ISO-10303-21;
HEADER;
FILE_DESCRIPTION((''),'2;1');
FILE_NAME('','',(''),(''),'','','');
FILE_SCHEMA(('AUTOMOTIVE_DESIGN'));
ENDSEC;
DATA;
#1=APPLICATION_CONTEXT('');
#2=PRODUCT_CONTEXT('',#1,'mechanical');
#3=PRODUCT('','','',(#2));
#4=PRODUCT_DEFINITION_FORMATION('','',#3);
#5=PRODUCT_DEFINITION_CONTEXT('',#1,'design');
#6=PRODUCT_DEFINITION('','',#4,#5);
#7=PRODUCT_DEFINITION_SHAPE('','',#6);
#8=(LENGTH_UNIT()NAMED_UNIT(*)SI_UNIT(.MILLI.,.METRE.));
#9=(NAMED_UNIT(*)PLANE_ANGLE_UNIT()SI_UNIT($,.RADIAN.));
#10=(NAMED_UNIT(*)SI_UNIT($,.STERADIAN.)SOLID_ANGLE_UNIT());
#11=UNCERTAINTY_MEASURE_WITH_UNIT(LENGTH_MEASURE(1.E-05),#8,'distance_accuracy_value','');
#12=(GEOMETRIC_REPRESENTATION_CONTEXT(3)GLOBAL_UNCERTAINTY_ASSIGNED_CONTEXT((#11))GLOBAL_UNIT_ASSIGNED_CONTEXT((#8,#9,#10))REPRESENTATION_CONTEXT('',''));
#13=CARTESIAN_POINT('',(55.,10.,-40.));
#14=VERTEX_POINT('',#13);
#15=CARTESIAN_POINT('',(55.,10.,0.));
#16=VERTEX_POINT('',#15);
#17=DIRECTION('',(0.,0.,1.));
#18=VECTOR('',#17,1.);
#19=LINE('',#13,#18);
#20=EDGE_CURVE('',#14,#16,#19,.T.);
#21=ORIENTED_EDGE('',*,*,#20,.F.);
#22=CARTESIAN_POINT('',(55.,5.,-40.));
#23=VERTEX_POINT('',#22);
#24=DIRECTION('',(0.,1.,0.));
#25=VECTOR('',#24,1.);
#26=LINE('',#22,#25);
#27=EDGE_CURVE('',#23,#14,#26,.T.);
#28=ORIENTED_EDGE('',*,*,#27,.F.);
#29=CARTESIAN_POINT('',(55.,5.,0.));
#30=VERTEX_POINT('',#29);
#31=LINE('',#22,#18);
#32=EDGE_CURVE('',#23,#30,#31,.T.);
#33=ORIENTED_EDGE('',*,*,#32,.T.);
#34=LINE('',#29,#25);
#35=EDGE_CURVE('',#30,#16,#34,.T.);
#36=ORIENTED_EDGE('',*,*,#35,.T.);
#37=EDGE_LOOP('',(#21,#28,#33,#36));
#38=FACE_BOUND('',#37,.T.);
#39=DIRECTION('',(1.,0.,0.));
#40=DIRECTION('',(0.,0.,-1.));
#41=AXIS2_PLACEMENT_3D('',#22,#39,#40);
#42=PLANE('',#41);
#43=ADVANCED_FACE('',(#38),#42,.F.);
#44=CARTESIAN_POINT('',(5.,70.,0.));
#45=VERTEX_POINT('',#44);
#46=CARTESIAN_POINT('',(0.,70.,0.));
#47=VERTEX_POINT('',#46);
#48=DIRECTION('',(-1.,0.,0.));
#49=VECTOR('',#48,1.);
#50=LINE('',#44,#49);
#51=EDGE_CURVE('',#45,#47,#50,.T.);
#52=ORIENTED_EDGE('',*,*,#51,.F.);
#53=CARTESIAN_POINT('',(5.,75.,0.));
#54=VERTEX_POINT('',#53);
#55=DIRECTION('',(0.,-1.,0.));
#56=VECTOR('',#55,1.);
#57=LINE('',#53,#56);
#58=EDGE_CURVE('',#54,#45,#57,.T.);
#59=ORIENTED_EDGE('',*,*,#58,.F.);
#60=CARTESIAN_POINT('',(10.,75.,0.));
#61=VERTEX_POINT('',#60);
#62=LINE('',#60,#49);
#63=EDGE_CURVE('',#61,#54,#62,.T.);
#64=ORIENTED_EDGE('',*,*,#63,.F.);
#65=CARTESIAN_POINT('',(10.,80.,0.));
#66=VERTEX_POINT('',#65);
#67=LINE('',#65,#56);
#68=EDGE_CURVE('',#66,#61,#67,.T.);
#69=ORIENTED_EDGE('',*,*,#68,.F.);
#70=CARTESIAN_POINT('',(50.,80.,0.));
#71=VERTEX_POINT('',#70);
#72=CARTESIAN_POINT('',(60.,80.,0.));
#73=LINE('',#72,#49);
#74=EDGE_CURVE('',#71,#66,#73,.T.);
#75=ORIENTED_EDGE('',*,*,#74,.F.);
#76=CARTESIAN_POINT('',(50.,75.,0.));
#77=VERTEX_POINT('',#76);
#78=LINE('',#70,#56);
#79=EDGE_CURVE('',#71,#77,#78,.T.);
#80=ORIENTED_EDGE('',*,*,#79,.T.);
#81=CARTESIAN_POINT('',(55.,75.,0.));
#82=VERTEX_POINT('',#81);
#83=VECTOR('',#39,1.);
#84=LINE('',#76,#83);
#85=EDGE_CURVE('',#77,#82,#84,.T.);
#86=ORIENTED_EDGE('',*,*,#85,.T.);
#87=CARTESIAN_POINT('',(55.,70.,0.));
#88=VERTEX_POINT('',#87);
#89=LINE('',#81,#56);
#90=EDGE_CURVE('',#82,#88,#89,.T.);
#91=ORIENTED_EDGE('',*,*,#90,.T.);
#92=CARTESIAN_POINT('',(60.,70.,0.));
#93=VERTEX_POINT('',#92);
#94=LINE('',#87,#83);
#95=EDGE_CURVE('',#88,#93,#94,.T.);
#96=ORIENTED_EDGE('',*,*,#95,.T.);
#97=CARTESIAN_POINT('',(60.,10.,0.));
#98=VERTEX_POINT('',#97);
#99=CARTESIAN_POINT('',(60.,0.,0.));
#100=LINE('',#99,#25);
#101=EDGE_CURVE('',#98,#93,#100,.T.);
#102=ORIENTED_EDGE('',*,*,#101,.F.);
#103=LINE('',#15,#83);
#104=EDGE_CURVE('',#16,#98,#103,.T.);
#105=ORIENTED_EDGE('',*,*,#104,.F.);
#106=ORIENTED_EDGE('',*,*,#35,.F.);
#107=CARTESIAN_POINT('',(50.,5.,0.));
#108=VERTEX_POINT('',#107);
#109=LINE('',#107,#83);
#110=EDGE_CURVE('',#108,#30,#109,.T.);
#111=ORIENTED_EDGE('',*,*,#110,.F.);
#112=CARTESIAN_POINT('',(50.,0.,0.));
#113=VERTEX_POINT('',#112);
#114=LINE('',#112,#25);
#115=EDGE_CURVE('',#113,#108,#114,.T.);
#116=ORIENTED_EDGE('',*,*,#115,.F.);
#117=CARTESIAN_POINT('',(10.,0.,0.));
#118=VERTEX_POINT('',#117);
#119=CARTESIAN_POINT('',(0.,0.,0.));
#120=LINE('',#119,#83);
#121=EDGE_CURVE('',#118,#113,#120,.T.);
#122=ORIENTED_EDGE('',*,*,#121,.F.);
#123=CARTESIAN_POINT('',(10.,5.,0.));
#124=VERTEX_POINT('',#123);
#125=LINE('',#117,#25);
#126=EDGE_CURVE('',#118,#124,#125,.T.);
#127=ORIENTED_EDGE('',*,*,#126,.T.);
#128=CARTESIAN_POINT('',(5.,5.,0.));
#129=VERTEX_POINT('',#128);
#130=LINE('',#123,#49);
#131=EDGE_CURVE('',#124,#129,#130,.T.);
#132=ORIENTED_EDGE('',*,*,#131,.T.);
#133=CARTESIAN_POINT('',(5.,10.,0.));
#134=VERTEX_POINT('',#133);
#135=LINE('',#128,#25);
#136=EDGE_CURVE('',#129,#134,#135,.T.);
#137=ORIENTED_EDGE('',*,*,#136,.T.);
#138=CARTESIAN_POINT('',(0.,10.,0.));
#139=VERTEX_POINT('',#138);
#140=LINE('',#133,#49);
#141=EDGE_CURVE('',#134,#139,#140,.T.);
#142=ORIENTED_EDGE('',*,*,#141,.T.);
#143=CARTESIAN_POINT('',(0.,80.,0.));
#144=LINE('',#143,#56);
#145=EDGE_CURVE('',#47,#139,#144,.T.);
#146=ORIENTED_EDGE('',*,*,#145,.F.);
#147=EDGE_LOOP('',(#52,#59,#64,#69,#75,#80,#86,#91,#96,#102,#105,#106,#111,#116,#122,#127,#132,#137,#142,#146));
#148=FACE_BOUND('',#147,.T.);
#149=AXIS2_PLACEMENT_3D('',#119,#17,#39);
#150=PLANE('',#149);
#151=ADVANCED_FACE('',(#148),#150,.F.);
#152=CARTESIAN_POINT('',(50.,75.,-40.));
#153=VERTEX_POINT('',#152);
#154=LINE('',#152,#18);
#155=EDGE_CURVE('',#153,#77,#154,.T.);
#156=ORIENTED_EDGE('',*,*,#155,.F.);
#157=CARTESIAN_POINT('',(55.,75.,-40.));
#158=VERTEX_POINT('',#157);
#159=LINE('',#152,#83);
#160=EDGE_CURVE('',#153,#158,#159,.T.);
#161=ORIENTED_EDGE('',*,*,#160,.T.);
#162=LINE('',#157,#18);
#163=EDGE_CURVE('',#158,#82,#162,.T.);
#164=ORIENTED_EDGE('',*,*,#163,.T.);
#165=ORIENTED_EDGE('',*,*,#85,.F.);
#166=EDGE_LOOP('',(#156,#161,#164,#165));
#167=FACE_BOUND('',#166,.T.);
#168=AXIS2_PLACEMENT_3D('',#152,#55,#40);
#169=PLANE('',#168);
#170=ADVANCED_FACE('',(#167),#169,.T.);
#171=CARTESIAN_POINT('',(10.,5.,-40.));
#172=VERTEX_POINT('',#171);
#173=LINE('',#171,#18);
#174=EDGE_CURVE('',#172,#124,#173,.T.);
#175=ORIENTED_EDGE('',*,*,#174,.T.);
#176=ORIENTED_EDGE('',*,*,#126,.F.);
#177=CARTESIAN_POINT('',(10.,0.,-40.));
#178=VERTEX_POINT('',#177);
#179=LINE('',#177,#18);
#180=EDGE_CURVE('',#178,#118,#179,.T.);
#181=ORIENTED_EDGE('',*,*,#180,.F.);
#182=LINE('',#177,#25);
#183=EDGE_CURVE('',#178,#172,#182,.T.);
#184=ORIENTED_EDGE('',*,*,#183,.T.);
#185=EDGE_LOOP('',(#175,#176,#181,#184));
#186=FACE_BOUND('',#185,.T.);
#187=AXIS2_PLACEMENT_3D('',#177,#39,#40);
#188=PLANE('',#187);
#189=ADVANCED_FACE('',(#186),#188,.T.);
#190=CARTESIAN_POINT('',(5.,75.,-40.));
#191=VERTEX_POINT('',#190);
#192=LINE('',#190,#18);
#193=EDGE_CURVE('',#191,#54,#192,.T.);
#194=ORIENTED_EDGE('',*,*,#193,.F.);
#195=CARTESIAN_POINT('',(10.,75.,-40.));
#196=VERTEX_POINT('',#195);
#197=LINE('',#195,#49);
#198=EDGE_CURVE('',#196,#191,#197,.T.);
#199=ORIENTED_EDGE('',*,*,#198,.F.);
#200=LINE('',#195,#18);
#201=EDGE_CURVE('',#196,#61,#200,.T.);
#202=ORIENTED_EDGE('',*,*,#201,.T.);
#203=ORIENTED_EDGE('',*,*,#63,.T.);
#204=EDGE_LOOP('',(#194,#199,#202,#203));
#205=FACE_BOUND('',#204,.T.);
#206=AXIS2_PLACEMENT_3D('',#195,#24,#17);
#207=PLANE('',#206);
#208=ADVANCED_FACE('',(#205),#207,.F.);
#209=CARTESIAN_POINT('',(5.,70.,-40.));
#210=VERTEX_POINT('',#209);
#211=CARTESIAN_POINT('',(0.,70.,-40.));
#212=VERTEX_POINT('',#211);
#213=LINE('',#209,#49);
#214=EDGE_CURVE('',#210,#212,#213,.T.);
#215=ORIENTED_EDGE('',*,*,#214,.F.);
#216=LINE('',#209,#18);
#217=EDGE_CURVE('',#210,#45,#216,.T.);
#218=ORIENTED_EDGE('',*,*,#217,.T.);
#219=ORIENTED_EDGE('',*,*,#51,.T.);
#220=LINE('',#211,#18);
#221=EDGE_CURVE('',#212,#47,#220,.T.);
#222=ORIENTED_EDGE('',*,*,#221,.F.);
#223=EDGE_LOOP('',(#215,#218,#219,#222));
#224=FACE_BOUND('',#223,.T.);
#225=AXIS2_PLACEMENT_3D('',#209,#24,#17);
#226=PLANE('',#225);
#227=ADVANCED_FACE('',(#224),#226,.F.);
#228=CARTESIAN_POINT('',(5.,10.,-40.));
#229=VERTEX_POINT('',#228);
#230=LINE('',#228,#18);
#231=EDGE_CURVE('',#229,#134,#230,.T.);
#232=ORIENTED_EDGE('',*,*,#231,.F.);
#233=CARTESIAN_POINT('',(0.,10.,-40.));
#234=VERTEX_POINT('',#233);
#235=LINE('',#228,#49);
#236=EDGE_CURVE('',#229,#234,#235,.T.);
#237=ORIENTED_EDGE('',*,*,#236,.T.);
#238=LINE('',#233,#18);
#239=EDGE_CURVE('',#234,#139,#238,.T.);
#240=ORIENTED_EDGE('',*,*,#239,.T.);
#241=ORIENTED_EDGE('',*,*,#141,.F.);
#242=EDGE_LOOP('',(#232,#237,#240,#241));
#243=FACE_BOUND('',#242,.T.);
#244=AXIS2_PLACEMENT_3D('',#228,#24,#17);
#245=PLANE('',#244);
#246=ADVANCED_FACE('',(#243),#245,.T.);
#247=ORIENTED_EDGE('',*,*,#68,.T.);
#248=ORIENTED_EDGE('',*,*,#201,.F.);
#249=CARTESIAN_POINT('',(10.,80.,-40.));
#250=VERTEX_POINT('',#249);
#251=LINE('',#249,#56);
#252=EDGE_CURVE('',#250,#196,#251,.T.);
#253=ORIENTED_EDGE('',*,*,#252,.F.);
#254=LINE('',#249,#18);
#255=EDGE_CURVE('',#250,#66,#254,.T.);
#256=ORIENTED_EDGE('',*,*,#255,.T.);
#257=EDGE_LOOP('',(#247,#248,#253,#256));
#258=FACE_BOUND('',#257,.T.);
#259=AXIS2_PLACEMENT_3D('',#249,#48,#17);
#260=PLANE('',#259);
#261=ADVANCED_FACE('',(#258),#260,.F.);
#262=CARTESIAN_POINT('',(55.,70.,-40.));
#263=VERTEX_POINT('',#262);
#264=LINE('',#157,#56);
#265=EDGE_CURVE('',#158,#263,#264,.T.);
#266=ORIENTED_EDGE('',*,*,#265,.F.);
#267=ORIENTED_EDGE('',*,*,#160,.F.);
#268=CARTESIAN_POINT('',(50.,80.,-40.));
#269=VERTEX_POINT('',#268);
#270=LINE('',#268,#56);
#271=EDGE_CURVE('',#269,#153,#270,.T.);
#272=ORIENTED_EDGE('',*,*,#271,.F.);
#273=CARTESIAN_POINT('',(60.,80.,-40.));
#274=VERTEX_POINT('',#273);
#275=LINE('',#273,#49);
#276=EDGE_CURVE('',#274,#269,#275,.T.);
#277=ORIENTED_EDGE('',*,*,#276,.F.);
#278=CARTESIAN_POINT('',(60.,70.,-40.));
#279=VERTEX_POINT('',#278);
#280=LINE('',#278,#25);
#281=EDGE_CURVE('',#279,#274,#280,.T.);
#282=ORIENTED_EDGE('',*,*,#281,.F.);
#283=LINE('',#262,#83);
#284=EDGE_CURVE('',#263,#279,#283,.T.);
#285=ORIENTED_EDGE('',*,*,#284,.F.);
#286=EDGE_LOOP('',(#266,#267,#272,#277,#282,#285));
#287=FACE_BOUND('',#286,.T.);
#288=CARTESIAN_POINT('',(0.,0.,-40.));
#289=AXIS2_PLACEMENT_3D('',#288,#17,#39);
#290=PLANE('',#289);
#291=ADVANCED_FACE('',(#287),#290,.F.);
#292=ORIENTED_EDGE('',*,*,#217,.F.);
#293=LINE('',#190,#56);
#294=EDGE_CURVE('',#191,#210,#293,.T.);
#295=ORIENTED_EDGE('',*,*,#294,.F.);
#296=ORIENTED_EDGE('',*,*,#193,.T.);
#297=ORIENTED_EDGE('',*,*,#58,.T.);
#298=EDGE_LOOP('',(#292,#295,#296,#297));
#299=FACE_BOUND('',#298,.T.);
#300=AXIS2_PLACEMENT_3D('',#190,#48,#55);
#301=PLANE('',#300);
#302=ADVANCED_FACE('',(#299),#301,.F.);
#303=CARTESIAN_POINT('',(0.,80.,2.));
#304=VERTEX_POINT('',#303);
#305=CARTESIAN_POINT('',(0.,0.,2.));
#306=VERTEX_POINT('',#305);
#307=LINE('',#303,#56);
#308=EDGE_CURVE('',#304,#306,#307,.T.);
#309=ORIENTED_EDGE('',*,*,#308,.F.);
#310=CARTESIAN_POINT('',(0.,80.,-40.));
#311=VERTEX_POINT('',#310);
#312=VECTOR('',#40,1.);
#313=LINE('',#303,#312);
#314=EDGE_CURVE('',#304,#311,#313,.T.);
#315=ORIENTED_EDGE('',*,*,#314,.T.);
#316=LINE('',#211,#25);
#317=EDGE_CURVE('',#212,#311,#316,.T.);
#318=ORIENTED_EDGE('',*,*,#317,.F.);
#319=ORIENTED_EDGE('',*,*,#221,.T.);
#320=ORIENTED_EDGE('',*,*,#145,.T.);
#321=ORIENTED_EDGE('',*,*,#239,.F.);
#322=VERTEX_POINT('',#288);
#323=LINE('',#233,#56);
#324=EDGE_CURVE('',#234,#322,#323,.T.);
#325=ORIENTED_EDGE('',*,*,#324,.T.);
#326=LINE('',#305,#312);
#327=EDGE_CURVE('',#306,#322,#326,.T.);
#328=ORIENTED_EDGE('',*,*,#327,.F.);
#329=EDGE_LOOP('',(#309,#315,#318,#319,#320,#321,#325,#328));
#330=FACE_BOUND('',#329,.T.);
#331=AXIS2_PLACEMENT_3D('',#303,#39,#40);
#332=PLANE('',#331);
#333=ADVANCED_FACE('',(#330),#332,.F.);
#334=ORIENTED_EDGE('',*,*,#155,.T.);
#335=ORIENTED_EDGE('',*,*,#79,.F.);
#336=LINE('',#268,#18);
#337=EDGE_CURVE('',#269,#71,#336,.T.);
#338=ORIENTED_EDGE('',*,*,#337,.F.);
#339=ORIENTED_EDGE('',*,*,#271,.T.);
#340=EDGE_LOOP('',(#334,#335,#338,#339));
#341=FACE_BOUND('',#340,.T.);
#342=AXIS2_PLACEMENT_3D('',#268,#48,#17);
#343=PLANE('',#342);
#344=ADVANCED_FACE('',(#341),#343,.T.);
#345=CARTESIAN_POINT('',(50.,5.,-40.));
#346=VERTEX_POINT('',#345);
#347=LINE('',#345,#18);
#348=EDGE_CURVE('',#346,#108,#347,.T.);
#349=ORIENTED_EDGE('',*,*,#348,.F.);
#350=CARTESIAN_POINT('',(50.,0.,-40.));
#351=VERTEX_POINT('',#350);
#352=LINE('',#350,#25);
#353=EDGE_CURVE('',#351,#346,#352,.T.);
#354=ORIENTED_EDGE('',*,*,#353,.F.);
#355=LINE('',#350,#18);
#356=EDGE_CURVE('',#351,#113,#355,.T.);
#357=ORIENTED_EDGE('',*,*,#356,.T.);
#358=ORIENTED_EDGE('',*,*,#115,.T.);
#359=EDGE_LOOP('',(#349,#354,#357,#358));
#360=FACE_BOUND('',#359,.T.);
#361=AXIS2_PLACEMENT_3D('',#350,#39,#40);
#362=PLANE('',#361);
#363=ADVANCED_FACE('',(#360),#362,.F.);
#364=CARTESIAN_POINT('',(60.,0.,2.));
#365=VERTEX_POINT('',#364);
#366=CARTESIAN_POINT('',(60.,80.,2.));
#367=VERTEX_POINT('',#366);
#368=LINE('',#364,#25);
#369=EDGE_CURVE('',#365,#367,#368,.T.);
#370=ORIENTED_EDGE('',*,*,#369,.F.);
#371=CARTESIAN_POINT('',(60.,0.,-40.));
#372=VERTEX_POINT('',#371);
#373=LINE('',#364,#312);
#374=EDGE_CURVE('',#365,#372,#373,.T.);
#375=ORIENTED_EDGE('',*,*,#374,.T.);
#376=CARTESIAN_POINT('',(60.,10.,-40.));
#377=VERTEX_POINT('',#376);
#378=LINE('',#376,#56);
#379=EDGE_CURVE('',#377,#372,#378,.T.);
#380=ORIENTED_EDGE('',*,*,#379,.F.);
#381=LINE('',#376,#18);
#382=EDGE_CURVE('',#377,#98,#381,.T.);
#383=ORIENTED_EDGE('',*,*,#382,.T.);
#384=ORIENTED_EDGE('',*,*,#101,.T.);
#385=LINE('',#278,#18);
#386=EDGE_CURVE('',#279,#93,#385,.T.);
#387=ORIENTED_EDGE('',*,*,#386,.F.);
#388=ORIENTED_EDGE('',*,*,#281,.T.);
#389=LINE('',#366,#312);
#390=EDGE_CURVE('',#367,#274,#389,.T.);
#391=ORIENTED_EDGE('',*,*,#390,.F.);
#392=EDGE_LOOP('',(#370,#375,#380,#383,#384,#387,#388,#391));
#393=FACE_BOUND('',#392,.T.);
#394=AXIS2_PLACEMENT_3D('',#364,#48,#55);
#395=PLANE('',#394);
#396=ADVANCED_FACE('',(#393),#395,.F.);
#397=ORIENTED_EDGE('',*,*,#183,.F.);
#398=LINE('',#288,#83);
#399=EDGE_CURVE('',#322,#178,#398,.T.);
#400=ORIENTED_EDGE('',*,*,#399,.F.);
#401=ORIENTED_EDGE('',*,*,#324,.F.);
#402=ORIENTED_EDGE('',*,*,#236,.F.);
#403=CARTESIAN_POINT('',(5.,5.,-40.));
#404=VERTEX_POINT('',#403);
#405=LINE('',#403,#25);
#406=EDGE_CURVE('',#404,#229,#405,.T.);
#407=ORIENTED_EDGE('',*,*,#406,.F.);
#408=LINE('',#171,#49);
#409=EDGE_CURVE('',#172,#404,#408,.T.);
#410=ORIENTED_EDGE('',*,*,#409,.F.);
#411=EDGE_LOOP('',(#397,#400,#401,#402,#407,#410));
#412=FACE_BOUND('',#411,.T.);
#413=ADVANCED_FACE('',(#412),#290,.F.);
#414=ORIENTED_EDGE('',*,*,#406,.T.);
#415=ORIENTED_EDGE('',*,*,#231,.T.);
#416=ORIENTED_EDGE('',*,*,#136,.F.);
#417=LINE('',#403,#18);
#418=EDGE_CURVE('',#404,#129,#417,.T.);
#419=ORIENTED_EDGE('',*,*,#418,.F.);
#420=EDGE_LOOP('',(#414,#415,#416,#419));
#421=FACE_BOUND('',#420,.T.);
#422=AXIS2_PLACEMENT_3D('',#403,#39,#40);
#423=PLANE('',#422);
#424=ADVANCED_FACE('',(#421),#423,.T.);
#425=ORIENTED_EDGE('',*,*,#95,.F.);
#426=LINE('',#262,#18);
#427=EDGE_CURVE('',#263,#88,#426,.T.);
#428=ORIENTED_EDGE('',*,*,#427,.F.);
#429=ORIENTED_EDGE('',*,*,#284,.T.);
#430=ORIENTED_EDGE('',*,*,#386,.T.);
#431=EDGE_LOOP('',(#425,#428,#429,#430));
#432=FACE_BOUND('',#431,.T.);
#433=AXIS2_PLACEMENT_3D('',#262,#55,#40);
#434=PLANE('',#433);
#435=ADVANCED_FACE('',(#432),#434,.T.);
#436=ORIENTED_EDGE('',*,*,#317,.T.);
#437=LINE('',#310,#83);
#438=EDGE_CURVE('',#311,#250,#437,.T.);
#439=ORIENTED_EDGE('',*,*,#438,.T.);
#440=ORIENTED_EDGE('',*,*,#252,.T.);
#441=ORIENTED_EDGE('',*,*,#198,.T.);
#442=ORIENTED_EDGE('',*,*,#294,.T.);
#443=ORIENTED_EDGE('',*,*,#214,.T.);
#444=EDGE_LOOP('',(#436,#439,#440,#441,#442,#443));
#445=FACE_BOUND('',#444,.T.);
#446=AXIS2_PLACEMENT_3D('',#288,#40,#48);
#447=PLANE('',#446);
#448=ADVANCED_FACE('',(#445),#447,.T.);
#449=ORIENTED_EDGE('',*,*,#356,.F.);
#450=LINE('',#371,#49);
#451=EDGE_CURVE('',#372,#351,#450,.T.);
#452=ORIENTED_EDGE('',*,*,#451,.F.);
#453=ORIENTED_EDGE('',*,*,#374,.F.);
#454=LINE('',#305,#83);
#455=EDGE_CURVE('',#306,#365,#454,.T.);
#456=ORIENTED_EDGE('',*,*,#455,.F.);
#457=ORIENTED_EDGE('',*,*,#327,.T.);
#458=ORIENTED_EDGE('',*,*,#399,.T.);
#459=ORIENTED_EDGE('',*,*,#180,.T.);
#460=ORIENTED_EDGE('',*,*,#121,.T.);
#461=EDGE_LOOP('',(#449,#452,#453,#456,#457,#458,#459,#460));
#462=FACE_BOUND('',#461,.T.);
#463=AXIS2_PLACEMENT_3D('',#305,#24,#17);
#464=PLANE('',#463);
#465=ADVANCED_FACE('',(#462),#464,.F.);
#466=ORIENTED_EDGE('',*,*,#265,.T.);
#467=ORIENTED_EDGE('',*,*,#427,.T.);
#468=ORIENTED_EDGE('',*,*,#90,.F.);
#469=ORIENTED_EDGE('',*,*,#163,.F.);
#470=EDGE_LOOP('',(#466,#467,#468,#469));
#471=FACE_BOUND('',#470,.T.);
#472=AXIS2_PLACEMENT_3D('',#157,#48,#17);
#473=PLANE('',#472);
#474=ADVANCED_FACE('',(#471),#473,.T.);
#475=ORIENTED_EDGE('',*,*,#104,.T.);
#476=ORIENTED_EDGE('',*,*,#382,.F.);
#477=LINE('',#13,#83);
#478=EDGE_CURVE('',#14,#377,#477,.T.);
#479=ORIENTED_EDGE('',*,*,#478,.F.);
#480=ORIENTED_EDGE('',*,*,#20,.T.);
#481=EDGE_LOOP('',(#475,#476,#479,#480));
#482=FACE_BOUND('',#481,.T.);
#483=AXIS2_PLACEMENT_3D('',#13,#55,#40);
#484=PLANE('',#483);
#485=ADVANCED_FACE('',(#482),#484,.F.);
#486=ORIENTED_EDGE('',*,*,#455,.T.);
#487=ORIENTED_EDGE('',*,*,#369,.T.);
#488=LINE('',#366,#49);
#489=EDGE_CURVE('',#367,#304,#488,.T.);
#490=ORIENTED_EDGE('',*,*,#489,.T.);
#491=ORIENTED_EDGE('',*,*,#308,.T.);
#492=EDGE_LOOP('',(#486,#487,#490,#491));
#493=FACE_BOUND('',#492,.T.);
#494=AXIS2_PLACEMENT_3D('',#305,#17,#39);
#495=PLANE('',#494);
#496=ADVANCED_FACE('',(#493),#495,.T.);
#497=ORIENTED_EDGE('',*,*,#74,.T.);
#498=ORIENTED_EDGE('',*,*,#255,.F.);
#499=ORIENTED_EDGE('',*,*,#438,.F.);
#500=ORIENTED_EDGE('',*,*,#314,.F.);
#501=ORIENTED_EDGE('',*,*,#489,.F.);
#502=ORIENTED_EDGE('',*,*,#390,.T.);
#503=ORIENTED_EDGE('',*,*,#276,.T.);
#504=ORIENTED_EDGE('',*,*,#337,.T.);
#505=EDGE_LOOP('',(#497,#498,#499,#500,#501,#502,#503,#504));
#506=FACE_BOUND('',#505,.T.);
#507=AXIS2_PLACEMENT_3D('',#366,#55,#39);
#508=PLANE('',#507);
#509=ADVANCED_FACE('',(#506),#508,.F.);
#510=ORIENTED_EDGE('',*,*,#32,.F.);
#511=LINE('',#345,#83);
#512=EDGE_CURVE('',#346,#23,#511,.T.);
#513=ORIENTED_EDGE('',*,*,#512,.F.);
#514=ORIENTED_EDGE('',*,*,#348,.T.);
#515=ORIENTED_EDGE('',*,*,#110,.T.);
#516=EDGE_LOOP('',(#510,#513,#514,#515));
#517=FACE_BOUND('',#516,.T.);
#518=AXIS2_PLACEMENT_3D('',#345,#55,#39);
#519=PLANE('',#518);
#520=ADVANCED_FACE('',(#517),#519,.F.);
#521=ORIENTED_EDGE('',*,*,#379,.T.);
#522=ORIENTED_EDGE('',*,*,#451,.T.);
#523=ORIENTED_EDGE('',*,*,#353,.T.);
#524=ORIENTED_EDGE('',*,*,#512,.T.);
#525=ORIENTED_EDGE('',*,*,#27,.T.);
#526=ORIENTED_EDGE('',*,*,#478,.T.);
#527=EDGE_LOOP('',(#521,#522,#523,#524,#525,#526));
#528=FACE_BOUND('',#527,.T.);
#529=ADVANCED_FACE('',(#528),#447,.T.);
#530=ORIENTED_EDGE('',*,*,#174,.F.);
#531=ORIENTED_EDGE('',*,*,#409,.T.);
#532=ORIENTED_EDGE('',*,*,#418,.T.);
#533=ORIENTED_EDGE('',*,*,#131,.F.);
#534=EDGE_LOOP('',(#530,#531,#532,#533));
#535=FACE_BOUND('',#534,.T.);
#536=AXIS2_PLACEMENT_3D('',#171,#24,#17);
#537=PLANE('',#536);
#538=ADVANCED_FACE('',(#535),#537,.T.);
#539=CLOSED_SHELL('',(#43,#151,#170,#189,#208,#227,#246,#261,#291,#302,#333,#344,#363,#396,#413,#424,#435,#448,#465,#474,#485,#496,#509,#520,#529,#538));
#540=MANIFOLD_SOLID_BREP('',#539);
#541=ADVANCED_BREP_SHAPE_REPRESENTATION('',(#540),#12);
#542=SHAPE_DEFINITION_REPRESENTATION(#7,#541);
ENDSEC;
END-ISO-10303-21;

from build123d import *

# Parameters (mm, degrees)
ESQUISSE2_W        = 60
ESQUISSE2_H        = 80
BOSS_EXTRU_1_DEPTH = 2
BOSS_EXTRU_3_DEPTH = 40


with BuildPart() as part:
    # Esquisse2 → Boss.-Extru.1 (new body)
    with BuildSketch(Plane.XY):
        with Locations((30, 40)):
            Rectangle(ESQUISSE2_W, ESQUISSE2_H)
    extrude(amount=BOSS_EXTRU_1_DEPTH)

    # Esquisse3 → Boss.-Extru.3 (add)
    with BuildSketch(Plane(origin=(0, 0, 0), x_dir=(-1, 0, 0), z_dir=(0, 0, -1))):
        Polygon((-60, 0), (-50, 0), (-50, 5), (-55, 5), (-55, 10), (-60, 10), align=None)
        Polygon((0, 0), (-10, 0), (-10, 5), (-5, 5), (-5, 10), (0, 10), align=None)
        Polygon((0, 80), (-10, 80), (-10, 75), (-5, 75), (-5, 70), (0, 70), align=None)
        Polygon((-60, 80), (-50, 80), (-50, 75), (-55, 75), (-55, 70), (-60, 70), align=None)
    extrude(amount=BOSS_EXTRU_3_DEPTH)


solid = part.part
